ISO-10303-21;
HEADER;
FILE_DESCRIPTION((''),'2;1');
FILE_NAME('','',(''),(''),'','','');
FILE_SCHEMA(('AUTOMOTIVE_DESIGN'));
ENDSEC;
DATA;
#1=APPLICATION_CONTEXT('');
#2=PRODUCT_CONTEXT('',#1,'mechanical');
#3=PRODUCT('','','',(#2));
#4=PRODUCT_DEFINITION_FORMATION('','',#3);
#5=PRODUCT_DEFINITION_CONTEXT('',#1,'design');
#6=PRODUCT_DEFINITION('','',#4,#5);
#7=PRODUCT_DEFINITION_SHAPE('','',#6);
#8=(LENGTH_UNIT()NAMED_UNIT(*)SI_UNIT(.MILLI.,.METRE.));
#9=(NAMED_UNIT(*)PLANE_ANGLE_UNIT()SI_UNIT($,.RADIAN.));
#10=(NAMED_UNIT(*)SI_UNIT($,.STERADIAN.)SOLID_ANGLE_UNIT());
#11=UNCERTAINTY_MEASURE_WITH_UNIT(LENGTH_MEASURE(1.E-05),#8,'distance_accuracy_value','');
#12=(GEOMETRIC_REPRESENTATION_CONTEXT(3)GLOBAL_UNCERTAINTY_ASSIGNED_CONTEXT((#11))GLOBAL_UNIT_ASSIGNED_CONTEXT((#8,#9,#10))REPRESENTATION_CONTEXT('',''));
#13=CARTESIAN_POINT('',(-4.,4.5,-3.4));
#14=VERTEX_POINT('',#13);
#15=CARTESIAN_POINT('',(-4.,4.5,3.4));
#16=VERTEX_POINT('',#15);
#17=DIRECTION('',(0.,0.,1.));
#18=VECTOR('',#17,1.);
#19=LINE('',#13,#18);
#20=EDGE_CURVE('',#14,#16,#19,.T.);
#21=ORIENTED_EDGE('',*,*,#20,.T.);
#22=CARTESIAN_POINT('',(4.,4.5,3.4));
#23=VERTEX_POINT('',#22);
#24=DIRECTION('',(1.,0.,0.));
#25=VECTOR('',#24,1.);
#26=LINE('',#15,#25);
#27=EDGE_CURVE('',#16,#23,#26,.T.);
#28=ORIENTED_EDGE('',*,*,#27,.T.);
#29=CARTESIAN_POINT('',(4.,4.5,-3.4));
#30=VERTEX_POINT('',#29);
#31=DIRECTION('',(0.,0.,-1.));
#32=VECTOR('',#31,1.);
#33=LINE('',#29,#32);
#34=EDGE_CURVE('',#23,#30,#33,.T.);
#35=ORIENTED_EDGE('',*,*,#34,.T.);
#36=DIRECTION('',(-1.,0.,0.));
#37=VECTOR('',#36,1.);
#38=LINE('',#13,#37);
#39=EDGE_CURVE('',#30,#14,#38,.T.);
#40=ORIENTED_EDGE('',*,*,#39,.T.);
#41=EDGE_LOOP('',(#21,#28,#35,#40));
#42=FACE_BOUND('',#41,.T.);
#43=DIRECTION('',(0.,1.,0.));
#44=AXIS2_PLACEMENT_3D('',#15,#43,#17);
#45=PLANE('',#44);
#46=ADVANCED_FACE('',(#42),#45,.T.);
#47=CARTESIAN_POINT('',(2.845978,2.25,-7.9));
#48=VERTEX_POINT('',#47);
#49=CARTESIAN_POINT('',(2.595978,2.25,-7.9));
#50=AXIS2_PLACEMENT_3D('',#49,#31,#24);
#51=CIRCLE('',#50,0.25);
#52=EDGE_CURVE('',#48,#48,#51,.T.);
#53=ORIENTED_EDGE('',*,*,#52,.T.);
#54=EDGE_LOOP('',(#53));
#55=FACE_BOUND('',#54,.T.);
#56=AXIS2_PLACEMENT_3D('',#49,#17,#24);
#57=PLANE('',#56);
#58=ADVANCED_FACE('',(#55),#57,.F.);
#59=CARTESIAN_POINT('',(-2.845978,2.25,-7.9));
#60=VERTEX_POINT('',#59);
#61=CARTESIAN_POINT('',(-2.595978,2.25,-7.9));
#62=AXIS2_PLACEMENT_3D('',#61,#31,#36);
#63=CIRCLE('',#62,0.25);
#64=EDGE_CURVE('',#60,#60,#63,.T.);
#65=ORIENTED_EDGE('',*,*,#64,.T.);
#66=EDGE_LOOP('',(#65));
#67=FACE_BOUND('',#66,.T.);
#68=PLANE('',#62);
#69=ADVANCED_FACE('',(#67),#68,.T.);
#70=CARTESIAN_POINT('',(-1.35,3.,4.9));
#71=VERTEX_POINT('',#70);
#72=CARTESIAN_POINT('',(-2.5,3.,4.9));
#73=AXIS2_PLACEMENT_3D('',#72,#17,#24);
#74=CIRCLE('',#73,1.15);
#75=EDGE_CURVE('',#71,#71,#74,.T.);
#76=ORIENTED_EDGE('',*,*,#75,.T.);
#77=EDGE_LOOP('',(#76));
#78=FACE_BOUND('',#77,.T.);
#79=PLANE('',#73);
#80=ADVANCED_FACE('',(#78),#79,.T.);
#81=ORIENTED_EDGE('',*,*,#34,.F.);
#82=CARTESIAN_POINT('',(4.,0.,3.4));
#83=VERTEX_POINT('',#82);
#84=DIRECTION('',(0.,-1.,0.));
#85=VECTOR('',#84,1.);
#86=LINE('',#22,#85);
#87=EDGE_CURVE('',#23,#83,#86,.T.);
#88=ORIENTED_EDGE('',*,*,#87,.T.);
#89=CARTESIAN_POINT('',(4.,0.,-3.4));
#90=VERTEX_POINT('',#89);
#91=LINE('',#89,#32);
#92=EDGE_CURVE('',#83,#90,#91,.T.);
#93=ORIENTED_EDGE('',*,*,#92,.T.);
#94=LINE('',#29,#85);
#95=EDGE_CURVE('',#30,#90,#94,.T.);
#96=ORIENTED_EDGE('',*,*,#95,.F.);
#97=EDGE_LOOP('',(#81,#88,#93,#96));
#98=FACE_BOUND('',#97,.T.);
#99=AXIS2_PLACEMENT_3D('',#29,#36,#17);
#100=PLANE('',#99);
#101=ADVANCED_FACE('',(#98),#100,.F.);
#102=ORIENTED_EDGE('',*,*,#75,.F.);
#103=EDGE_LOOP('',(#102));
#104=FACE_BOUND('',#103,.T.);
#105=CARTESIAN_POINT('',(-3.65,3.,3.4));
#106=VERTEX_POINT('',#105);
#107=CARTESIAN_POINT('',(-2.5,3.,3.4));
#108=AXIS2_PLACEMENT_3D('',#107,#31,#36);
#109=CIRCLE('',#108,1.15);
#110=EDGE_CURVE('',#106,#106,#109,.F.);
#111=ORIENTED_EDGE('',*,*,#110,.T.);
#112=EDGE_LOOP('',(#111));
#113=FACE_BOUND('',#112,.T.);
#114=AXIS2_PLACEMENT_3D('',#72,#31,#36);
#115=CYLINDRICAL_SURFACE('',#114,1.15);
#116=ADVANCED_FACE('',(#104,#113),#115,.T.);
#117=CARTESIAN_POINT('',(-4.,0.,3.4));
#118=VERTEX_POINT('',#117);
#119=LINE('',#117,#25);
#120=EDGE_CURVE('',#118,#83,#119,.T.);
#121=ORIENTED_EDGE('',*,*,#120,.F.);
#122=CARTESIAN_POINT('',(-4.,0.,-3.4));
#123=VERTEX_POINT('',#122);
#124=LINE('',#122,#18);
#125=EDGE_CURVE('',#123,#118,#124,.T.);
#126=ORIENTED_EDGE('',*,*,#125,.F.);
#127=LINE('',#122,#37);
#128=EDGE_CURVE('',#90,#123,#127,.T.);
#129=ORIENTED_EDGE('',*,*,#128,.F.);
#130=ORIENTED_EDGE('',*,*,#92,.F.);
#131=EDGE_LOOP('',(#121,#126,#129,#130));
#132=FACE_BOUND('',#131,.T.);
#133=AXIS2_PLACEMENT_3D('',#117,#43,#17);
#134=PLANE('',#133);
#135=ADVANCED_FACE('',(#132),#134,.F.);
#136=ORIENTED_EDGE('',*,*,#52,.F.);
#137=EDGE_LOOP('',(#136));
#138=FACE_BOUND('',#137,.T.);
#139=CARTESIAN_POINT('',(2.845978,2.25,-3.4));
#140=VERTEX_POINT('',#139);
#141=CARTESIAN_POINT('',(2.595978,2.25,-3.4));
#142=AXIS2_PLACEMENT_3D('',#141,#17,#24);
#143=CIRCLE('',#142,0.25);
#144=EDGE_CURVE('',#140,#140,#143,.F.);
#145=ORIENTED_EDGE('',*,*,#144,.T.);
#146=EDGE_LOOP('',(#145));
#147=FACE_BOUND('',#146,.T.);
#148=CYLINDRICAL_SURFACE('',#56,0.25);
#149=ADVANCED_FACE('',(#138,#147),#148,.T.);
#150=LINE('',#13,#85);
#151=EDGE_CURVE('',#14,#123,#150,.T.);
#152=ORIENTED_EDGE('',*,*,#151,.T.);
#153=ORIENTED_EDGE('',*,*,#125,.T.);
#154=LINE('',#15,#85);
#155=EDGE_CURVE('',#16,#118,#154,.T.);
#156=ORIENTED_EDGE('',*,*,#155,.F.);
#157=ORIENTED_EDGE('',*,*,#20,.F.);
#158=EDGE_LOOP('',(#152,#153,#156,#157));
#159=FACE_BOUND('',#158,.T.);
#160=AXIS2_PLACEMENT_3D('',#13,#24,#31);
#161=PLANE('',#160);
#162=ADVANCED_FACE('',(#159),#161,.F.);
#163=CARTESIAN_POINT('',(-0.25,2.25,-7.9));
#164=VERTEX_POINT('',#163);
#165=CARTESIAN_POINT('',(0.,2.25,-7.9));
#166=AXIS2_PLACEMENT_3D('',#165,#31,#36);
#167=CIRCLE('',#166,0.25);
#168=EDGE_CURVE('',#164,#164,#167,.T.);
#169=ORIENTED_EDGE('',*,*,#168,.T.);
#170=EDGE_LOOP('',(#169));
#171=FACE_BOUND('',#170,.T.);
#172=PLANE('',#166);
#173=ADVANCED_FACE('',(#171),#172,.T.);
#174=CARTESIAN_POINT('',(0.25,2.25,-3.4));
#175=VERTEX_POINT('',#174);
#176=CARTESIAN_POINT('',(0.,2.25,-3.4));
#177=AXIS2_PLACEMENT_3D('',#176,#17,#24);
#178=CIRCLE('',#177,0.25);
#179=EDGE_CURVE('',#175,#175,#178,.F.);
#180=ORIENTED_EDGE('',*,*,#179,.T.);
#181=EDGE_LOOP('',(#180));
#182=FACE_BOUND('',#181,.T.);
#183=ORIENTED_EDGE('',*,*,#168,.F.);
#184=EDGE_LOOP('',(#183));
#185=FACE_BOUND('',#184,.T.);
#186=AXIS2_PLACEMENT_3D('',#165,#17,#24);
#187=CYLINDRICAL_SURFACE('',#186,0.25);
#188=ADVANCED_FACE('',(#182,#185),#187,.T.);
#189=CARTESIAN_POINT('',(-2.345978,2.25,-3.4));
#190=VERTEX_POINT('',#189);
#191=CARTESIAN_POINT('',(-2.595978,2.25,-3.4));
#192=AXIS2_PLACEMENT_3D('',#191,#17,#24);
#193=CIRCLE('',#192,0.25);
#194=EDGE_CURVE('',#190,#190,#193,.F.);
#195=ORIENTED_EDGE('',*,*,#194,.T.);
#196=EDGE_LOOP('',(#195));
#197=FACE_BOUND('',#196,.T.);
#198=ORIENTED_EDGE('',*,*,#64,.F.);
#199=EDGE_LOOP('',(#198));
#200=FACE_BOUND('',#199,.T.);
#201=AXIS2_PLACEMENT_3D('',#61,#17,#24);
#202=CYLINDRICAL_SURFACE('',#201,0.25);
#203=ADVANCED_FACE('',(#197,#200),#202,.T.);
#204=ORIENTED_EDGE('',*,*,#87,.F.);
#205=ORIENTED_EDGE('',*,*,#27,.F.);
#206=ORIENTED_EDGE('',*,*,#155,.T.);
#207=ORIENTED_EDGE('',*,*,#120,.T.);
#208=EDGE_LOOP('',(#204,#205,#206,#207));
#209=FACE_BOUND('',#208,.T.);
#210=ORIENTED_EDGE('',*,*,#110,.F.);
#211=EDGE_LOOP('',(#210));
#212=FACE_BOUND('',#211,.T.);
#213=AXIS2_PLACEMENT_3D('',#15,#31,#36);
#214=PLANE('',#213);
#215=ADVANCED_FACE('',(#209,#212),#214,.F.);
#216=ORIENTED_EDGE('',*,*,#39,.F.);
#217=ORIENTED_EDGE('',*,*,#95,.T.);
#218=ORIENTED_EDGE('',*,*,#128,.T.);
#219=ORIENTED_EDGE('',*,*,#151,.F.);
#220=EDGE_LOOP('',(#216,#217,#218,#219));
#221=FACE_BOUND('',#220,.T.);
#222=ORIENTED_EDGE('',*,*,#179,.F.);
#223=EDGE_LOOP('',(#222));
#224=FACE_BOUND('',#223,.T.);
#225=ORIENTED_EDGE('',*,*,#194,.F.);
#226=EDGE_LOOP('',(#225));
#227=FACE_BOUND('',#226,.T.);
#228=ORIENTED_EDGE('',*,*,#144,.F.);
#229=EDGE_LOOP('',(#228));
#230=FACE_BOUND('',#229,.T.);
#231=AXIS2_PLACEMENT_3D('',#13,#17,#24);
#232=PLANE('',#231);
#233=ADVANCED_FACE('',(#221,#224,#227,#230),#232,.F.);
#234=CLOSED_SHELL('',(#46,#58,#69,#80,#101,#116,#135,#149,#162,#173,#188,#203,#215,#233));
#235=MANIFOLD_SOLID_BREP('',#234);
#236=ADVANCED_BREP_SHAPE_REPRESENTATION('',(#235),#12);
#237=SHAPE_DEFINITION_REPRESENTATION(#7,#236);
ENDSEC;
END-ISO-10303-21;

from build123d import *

# Parameters (mm, degrees)
SKETCH_1_W      = 8
SKETCH_1_H      = 6.8
EXTRUDE_1_DEPTH = 4.5
SKETCH_3_R      = 0.25
EXTRUDE_3_DEPTH = 4.5
SKETCH_4_R      = 1.15
EXTRUDE_4_DEPTH = 1.5


with BuildPart() as part:
    # 草图1 → 拉伸1 (new body)
    with BuildSketch(Plane(origin=(0, 0, 0), x_dir=(1, 0, 0), z_dir=(0, 1, 0))):
        Rectangle(SKETCH_1_W, SKETCH_1_H)
    extrude(amount=EXTRUDE_1_DEPTH)

    # 草图3 → 拉伸3 (add)
    with BuildSketch(Plane(origin=(0, 0, -3.4), x_dir=(-1, 0, 0), z_dir=(0, 0, -1))):
        with Locations(Location((0, 2.25, 0), (0, 0, 180))):
            Circle(SKETCH_3_R)
        with Locations(Location((2.595978382, 2.25, 0), (0, 0, 180))):
            Circle(SKETCH_3_R)
        with Locations(Location((-2.595978382, 2.25, 0), (0, 0, 180))):
            Circle(SKETCH_3_R)
    extrude(amount=EXTRUDE_3_DEPTH)

    # 草图4 → 拉伸4 (add)
    with BuildSketch(Plane.XY.offset(3.4)):
        with Locations(Location((-2.5, 3, 0), (0, 0, 180))):
            Circle(SKETCH_4_R)
    extrude(amount=EXTRUDE_4_DEPTH)


solid = part.part
